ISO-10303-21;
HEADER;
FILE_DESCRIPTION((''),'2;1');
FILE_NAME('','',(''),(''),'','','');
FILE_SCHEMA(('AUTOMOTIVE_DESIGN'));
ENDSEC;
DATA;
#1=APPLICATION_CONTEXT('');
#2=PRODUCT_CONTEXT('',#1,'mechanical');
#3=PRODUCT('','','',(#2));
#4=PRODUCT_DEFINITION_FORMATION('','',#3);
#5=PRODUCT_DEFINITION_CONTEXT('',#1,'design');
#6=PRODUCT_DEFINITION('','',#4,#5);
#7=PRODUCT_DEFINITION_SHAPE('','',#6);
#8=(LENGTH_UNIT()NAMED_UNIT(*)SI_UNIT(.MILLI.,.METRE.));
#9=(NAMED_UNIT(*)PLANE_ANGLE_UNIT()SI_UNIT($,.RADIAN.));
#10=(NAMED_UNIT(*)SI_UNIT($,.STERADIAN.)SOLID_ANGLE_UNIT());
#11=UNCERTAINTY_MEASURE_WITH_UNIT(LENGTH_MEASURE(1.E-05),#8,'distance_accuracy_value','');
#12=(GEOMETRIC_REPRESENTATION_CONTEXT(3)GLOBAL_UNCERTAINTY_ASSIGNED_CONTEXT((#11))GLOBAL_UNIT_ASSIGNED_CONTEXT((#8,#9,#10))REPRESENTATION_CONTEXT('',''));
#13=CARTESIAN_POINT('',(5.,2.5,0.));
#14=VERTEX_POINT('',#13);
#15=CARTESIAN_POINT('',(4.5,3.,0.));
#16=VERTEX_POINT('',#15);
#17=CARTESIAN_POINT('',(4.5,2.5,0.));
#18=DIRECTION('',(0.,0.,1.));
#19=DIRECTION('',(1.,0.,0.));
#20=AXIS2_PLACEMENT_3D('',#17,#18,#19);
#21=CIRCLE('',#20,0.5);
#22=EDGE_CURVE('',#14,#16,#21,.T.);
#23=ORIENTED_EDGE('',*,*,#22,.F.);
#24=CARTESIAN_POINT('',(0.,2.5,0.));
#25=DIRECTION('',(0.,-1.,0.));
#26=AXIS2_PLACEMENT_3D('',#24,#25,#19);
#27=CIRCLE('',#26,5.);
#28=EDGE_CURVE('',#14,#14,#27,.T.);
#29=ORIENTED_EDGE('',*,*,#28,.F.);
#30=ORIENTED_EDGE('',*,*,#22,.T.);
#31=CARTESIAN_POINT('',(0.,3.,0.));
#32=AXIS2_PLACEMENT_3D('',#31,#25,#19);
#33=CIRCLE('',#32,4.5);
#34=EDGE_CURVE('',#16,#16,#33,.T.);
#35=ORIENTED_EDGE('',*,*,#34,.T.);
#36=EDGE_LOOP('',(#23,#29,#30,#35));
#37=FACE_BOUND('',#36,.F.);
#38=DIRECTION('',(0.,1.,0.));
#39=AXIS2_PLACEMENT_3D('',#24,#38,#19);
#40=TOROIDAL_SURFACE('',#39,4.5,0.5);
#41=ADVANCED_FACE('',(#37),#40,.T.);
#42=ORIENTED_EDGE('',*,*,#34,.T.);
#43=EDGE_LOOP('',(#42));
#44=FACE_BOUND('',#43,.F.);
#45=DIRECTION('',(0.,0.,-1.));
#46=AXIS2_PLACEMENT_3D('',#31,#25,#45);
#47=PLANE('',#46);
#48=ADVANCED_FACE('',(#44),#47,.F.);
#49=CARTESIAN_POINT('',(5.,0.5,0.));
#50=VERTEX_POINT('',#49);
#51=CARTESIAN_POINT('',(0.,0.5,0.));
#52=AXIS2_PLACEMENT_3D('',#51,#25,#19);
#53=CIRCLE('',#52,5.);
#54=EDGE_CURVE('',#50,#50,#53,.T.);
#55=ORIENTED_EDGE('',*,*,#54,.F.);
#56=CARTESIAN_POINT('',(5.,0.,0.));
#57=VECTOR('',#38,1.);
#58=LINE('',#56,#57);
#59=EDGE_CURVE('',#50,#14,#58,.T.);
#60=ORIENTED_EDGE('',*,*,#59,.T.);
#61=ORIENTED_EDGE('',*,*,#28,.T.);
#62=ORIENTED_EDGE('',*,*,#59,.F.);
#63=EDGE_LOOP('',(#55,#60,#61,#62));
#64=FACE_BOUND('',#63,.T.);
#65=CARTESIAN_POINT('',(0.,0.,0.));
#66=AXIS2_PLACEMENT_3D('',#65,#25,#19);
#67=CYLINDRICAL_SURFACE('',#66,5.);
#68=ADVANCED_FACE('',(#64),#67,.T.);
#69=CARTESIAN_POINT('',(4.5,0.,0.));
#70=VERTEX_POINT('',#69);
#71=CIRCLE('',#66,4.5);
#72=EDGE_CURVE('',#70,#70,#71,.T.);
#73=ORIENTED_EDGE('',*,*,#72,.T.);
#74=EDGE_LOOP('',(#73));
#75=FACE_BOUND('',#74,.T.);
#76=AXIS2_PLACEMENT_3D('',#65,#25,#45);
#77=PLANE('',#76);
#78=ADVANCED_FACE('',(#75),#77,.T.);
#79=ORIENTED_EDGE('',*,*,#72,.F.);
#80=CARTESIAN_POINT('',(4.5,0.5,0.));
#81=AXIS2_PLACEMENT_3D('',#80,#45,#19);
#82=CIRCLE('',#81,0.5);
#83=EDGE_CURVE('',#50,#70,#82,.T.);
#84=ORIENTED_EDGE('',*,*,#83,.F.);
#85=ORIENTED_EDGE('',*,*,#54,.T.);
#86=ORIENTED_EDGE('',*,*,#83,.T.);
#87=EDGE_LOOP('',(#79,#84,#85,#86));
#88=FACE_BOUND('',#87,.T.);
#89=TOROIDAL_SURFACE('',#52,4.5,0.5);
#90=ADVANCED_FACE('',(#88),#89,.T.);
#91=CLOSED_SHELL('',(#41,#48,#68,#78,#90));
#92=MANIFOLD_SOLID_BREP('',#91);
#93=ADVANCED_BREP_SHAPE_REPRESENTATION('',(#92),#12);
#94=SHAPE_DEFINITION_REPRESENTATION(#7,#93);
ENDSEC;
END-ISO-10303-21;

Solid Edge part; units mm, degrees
sketch "Sketch1" plane through (0, 0, 0) normal (0, -1, 0) x (1, 0, 0)
  circle A0 centre (0, 0) radius 5
  dimension "D1" = 10
extrude "Protrusion1" add sketch "Sketch1" against normal blind 3
fillet "Verrundung_1" radius 0.5 2 edges at (-5, 0, 0) (-5, 3, 0)
